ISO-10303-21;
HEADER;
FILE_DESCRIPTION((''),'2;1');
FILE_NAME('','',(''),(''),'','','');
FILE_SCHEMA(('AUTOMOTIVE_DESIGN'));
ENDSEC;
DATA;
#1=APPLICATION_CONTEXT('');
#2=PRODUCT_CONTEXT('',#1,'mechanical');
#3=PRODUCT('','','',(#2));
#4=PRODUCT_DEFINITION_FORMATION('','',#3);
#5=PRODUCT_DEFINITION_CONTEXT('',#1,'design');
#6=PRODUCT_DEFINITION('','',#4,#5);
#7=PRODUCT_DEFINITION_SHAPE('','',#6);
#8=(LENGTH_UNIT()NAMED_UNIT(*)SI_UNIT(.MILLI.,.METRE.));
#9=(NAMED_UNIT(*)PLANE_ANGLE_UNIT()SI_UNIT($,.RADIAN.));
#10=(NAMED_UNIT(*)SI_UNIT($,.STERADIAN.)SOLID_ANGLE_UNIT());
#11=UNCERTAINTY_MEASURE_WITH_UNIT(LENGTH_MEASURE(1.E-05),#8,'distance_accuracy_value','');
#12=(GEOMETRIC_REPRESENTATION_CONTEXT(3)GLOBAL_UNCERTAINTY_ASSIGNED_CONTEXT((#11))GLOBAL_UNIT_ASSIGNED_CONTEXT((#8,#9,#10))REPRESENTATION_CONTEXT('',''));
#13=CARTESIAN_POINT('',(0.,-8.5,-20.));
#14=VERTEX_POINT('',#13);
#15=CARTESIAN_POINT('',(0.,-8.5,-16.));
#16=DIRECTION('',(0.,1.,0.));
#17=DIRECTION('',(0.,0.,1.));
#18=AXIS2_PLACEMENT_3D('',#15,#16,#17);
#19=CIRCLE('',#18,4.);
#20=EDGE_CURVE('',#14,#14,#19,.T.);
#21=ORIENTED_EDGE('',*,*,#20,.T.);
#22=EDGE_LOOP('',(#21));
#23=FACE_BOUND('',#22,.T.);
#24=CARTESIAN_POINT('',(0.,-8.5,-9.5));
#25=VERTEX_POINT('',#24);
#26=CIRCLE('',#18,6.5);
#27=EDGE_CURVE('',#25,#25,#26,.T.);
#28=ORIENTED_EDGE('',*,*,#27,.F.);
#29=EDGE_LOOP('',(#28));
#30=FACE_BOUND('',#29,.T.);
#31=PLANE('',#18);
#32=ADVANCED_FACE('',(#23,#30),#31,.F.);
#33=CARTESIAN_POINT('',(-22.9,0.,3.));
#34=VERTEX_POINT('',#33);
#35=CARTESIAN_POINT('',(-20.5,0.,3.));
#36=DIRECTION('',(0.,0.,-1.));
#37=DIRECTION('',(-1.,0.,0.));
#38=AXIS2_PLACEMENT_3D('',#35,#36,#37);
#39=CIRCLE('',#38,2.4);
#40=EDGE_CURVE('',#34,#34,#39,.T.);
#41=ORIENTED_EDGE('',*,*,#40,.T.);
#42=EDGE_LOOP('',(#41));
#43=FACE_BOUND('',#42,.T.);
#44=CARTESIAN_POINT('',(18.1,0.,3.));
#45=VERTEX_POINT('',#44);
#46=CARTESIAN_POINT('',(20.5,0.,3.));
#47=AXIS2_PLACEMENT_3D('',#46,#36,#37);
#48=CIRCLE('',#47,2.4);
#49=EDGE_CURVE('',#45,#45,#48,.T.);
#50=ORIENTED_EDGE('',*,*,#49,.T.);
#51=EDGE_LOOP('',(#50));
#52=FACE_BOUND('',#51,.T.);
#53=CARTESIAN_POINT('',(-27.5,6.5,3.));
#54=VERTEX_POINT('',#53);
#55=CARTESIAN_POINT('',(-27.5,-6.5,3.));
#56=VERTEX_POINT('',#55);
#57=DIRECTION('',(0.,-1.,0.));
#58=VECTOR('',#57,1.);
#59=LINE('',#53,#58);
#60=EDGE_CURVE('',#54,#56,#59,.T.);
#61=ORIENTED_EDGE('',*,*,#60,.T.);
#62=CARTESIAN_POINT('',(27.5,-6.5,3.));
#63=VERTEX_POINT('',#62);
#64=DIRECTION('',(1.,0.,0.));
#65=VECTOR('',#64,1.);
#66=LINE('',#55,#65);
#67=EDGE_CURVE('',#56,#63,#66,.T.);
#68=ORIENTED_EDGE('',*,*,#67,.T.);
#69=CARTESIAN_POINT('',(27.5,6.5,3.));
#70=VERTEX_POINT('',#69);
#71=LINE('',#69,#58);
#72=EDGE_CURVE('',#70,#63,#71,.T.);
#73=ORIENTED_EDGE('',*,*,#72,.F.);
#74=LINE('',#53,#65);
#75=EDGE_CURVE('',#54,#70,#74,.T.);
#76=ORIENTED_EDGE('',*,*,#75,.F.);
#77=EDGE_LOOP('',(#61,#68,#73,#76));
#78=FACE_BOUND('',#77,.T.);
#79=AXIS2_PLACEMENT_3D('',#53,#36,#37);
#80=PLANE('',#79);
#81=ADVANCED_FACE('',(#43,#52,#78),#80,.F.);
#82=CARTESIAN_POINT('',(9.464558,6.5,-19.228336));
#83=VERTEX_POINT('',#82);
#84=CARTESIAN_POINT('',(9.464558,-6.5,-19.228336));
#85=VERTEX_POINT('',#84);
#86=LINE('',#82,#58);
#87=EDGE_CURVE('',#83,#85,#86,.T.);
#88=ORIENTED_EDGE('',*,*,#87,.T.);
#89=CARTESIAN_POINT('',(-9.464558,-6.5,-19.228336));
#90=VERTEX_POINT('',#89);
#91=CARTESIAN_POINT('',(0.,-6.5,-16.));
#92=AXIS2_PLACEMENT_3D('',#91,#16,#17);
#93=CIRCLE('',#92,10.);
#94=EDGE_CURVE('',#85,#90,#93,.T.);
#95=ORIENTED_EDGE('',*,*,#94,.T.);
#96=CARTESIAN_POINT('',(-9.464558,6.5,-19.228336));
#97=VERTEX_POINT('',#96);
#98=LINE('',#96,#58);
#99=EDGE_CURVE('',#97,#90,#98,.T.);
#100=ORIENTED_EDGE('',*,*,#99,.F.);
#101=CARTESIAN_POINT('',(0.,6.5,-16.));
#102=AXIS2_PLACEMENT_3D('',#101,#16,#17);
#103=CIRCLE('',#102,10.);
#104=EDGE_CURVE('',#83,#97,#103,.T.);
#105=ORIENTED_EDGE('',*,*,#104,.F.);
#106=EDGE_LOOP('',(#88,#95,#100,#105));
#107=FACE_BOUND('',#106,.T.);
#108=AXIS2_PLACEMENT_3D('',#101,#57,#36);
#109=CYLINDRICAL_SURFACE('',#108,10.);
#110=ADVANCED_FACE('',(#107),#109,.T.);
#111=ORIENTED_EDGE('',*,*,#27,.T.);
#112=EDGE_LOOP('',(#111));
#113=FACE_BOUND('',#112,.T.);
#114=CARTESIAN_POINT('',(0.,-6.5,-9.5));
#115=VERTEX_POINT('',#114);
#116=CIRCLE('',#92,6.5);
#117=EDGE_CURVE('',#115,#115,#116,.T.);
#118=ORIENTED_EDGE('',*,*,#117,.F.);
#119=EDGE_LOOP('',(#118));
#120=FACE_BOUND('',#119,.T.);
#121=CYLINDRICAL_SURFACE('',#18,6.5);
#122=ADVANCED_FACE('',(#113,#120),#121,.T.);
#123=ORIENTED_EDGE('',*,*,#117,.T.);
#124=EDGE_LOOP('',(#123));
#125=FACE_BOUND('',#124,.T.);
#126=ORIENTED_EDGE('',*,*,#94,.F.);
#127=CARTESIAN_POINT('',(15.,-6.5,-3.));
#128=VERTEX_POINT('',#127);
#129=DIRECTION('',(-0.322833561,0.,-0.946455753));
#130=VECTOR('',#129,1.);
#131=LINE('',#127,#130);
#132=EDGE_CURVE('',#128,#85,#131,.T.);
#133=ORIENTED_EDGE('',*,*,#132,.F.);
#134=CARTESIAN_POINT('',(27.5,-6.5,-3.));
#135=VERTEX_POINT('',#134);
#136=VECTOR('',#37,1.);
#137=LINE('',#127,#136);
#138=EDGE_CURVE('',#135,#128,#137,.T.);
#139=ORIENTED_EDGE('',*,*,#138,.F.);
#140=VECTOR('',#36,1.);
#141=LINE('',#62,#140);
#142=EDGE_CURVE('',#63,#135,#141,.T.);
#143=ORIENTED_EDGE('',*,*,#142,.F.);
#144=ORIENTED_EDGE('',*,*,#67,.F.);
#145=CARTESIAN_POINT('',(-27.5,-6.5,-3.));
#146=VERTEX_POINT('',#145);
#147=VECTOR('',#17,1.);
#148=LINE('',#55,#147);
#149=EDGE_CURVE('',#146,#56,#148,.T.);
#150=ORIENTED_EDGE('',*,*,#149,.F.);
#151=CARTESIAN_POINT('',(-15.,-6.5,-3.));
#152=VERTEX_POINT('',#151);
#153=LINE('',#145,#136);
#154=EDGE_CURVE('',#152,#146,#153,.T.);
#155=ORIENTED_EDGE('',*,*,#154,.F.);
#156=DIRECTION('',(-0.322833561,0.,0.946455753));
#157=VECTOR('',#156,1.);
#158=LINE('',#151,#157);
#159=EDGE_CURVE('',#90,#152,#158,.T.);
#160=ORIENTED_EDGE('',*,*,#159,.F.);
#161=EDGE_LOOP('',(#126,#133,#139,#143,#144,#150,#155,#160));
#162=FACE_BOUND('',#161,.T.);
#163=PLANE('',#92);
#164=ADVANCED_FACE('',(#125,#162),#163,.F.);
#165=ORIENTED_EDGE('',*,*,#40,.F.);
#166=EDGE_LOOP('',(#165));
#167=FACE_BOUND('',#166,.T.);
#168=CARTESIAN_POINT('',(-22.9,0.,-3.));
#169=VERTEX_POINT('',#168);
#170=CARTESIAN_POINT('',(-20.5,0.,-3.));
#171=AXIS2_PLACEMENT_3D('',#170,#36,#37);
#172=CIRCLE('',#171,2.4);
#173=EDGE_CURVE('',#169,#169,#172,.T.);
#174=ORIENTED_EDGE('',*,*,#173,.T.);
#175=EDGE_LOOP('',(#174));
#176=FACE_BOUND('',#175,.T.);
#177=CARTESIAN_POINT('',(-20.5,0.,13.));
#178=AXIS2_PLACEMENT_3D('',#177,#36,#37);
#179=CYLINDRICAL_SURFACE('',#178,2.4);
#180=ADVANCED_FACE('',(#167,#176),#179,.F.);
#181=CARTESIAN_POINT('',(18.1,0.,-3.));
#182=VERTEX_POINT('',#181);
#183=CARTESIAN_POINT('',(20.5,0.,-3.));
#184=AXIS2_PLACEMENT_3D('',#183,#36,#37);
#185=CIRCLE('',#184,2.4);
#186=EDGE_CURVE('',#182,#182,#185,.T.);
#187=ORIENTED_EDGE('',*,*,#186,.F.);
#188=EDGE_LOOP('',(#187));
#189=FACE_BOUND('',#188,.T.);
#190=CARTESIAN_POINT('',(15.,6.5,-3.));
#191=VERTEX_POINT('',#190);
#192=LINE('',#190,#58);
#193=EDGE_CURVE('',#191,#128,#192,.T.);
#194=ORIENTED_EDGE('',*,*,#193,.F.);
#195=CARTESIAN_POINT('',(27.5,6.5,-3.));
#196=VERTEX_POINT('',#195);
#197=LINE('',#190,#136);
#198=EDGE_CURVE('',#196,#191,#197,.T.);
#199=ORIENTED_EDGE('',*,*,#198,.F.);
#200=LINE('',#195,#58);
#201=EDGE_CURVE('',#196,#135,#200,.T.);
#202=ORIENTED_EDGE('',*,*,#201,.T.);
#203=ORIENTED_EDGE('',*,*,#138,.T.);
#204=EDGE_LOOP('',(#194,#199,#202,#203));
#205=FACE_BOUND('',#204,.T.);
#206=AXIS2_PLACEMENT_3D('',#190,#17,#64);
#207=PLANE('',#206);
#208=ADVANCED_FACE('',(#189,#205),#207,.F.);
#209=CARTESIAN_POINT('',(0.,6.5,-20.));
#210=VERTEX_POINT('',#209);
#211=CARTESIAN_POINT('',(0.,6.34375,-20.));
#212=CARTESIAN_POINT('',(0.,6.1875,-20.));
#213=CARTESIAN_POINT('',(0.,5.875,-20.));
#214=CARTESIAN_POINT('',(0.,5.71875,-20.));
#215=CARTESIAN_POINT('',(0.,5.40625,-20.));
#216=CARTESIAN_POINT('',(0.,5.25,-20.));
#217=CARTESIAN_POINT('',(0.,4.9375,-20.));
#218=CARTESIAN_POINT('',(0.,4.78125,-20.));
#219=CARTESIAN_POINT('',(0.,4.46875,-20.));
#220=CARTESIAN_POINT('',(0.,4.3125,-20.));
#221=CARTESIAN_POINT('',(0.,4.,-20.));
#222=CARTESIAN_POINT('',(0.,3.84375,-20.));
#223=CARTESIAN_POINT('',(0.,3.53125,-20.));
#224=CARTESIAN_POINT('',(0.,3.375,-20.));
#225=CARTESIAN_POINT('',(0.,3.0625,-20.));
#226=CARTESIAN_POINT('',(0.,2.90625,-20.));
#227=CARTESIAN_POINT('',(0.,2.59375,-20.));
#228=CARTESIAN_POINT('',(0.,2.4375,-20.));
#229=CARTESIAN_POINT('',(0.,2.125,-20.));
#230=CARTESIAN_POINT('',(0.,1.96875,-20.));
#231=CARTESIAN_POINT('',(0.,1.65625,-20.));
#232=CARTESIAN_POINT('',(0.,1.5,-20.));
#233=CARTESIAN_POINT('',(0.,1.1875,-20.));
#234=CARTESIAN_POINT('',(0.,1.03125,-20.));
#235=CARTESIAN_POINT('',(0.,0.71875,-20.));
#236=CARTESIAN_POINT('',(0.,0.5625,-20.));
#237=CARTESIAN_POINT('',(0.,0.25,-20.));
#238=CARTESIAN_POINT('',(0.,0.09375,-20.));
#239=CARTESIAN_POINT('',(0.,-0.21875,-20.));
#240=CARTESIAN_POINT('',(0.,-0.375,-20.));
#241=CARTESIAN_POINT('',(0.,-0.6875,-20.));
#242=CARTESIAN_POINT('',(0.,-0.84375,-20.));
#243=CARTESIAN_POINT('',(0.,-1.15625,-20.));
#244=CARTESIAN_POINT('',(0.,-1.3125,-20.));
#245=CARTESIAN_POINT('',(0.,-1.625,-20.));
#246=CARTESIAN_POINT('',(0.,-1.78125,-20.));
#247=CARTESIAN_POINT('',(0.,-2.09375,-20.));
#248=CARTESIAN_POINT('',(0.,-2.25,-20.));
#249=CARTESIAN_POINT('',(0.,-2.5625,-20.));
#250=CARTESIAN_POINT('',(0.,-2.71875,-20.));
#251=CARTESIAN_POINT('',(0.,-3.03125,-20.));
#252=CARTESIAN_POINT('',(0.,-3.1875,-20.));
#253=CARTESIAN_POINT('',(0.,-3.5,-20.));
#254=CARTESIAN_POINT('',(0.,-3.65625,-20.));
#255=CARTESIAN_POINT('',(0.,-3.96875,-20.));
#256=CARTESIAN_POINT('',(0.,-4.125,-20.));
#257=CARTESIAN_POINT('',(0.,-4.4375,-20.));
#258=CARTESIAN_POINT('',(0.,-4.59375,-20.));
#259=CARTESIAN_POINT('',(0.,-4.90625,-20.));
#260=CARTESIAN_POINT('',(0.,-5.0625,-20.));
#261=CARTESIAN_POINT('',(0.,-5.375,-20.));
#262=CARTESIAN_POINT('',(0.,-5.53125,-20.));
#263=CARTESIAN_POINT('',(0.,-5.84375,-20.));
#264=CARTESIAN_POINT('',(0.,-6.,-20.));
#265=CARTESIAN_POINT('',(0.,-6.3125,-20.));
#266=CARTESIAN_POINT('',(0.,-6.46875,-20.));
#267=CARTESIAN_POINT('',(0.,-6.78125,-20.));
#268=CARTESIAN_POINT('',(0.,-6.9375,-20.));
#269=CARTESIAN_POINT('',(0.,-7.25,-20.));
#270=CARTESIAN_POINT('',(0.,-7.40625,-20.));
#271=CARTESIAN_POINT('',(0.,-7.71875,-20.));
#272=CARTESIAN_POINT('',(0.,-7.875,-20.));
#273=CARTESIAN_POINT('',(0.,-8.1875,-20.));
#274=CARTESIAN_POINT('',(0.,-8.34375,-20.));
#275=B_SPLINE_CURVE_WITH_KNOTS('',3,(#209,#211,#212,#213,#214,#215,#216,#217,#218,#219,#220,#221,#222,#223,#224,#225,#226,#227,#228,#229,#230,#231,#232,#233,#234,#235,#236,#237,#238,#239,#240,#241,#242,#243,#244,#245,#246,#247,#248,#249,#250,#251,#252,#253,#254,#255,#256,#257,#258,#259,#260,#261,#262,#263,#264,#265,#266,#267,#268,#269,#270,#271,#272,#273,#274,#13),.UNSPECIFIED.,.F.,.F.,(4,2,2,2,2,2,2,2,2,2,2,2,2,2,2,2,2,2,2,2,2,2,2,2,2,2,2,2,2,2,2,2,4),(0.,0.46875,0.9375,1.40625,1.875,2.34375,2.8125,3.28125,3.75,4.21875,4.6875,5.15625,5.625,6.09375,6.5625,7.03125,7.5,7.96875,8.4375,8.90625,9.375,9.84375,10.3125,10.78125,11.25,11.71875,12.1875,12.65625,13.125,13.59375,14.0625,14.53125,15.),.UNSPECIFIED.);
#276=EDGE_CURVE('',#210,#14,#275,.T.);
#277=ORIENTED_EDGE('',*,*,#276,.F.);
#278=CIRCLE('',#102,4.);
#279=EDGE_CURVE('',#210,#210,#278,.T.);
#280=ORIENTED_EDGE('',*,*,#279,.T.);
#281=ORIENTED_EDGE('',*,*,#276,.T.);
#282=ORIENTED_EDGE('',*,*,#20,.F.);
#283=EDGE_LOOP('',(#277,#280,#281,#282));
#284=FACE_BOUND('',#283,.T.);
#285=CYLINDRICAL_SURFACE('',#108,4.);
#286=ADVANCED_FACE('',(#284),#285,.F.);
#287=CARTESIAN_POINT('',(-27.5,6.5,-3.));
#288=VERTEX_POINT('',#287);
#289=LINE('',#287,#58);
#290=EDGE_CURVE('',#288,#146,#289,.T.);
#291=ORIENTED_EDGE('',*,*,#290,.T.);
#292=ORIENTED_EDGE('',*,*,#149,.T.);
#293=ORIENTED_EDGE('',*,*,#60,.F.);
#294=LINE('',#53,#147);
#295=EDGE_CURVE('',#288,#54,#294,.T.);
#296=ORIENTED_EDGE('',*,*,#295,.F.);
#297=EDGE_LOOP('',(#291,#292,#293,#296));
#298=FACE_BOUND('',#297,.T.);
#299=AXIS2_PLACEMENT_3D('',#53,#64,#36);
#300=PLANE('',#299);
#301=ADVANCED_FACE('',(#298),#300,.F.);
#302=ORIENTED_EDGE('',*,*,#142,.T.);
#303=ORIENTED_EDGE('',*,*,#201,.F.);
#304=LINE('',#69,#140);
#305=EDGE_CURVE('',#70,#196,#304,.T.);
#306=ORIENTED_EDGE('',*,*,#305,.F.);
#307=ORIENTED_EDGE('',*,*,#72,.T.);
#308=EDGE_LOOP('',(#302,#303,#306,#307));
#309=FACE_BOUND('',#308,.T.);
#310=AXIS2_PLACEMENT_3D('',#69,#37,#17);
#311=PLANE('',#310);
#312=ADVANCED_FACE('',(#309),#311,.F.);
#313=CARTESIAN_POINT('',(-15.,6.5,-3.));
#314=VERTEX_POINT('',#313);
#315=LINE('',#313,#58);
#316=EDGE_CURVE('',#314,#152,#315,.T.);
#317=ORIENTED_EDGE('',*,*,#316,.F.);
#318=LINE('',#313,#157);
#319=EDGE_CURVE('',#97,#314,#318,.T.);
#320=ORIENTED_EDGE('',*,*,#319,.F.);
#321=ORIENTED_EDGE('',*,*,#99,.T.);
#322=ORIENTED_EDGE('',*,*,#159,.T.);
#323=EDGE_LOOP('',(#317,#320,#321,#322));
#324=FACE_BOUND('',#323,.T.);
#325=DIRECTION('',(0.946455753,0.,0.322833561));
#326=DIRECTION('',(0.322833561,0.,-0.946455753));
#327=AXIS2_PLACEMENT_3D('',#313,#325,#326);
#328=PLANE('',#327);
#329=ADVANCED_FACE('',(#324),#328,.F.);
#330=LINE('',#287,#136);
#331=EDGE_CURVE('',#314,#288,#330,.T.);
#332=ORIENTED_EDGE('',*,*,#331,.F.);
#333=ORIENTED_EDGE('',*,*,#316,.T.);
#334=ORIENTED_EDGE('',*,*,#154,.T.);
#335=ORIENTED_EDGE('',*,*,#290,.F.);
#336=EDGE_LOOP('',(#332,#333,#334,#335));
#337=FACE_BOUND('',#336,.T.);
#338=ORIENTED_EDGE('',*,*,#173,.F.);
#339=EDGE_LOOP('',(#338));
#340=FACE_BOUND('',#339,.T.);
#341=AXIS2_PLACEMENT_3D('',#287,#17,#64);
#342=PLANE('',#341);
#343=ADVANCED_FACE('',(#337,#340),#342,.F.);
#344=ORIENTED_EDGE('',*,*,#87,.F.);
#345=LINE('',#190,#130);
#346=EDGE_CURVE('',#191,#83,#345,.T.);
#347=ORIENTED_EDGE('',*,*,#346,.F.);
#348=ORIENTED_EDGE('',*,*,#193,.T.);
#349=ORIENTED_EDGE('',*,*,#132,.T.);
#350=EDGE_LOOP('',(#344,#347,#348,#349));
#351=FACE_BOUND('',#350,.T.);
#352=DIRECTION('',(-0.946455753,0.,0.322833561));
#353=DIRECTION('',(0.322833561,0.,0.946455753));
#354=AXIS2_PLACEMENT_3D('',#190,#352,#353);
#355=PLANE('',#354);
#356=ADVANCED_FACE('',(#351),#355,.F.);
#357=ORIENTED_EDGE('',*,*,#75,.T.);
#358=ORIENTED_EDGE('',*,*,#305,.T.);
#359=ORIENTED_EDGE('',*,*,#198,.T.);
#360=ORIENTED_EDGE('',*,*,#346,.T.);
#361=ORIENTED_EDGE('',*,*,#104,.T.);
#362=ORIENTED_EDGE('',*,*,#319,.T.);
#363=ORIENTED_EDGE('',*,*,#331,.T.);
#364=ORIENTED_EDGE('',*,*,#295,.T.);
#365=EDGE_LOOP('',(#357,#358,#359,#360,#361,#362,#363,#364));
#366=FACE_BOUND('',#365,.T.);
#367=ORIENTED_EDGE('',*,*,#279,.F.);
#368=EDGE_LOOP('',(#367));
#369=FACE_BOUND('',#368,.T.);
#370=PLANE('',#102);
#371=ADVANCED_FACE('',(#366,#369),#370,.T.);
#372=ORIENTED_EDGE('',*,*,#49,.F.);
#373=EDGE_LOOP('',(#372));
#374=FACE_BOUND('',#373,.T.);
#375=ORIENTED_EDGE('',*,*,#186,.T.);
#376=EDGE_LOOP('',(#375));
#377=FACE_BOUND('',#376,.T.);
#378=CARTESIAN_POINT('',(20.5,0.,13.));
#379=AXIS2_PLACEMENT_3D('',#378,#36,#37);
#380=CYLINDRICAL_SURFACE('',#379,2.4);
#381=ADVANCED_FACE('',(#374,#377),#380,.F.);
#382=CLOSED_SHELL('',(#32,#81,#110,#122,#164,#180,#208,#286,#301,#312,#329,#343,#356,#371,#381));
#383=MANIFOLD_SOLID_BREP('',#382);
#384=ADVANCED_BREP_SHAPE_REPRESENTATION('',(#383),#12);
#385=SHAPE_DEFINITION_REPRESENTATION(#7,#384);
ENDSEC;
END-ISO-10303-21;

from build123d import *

# Parameters (mm, degrees)
SKETCH_1_R          = 4
EXTRUDE_1_DEPTH     = 6.5
SKETCH_3_R          = 6.5
EXTRUDE_2_DEPTH     = 12
SKETCH_2_R          = 2.4
CUT_EXTRUDE_1_DEPTH = 16
CUT_EXTRUDE_START   = -12
SKETCH_4_R          = 4
CUT_EXTRUDE_2_DEPTH = 12


with BuildPart() as part:
    # 草图1 → 凸台-拉伸1 (new, symmetric)
    with BuildSketch(Plane(origin=(0, 0, 0), x_dir=(1, 0, 0), z_dir=(0, 1, 0))):
        with BuildLine():
            Line((-15, 3), (-9.464557528, 19.228335609))
            ThreePointArc((-9.464557528, 19.228335609), (0, 26), (9.464557528, 19.228335609))
            Line((9.464557528, 19.228335609), (15, 3))
            Line((15, 3), (27.5, 3))
            Line((27.5, 3), (27.5, -3))
            Line((27.5, -3), (-27.5, -3))
            Line((-27.5, -3), (-27.5, 3))
            Line((-27.5, 3), (-15, 3))
        make_face()
        with Locations(Location((0, 16, 0), (0, 0, 90))):
            Circle(SKETCH_1_R, mode=Mode.SUBTRACT)
    extrude(amount=EXTRUDE_1_DEPTH, both=True)

    # 草图3 → 凸台-拉伸2 (add)
    with BuildSketch(Plane(origin=(0, 3.5, 0), x_dir=(1, 0, 0), z_dir=(0, 1, 0))):
        with Locations(Location((0, 16, 0), (0, 0, 270))):
            Circle(SKETCH_3_R)
    extrude(amount=-EXTRUDE_2_DEPTH)

    # 草图2 → 切除-拉伸1 (cut)
    with BuildSketch(Plane(origin=(0, 0, -3), x_dir=(-1, 0, 0), z_dir=(0, 0, -1))):
        with Locations((20.5, 0)):
            Circle(SKETCH_2_R)
        with Locations((-20.5, 0)):
            Circle(SKETCH_2_R)
    extrude(amount=-CUT_EXTRUDE_1_DEPTH, mode=Mode.SUBTRACT)

    # 草图4 → 切除-拉伸2 (cut)
    with BuildSketch(Plane(origin=(0, 3.5, 0), x_dir=(1, 0, 0), z_dir=(0, 1, 0)).offset(CUT_EXTRUDE_START)):
        with Locations(Location((0, 16, 0), (0, 0, 90))):
            Circle(SKETCH_4_R)
    extrude(amount=CUT_EXTRUDE_2_DEPTH, mode=Mode.SUBTRACT)


solid = part.part
